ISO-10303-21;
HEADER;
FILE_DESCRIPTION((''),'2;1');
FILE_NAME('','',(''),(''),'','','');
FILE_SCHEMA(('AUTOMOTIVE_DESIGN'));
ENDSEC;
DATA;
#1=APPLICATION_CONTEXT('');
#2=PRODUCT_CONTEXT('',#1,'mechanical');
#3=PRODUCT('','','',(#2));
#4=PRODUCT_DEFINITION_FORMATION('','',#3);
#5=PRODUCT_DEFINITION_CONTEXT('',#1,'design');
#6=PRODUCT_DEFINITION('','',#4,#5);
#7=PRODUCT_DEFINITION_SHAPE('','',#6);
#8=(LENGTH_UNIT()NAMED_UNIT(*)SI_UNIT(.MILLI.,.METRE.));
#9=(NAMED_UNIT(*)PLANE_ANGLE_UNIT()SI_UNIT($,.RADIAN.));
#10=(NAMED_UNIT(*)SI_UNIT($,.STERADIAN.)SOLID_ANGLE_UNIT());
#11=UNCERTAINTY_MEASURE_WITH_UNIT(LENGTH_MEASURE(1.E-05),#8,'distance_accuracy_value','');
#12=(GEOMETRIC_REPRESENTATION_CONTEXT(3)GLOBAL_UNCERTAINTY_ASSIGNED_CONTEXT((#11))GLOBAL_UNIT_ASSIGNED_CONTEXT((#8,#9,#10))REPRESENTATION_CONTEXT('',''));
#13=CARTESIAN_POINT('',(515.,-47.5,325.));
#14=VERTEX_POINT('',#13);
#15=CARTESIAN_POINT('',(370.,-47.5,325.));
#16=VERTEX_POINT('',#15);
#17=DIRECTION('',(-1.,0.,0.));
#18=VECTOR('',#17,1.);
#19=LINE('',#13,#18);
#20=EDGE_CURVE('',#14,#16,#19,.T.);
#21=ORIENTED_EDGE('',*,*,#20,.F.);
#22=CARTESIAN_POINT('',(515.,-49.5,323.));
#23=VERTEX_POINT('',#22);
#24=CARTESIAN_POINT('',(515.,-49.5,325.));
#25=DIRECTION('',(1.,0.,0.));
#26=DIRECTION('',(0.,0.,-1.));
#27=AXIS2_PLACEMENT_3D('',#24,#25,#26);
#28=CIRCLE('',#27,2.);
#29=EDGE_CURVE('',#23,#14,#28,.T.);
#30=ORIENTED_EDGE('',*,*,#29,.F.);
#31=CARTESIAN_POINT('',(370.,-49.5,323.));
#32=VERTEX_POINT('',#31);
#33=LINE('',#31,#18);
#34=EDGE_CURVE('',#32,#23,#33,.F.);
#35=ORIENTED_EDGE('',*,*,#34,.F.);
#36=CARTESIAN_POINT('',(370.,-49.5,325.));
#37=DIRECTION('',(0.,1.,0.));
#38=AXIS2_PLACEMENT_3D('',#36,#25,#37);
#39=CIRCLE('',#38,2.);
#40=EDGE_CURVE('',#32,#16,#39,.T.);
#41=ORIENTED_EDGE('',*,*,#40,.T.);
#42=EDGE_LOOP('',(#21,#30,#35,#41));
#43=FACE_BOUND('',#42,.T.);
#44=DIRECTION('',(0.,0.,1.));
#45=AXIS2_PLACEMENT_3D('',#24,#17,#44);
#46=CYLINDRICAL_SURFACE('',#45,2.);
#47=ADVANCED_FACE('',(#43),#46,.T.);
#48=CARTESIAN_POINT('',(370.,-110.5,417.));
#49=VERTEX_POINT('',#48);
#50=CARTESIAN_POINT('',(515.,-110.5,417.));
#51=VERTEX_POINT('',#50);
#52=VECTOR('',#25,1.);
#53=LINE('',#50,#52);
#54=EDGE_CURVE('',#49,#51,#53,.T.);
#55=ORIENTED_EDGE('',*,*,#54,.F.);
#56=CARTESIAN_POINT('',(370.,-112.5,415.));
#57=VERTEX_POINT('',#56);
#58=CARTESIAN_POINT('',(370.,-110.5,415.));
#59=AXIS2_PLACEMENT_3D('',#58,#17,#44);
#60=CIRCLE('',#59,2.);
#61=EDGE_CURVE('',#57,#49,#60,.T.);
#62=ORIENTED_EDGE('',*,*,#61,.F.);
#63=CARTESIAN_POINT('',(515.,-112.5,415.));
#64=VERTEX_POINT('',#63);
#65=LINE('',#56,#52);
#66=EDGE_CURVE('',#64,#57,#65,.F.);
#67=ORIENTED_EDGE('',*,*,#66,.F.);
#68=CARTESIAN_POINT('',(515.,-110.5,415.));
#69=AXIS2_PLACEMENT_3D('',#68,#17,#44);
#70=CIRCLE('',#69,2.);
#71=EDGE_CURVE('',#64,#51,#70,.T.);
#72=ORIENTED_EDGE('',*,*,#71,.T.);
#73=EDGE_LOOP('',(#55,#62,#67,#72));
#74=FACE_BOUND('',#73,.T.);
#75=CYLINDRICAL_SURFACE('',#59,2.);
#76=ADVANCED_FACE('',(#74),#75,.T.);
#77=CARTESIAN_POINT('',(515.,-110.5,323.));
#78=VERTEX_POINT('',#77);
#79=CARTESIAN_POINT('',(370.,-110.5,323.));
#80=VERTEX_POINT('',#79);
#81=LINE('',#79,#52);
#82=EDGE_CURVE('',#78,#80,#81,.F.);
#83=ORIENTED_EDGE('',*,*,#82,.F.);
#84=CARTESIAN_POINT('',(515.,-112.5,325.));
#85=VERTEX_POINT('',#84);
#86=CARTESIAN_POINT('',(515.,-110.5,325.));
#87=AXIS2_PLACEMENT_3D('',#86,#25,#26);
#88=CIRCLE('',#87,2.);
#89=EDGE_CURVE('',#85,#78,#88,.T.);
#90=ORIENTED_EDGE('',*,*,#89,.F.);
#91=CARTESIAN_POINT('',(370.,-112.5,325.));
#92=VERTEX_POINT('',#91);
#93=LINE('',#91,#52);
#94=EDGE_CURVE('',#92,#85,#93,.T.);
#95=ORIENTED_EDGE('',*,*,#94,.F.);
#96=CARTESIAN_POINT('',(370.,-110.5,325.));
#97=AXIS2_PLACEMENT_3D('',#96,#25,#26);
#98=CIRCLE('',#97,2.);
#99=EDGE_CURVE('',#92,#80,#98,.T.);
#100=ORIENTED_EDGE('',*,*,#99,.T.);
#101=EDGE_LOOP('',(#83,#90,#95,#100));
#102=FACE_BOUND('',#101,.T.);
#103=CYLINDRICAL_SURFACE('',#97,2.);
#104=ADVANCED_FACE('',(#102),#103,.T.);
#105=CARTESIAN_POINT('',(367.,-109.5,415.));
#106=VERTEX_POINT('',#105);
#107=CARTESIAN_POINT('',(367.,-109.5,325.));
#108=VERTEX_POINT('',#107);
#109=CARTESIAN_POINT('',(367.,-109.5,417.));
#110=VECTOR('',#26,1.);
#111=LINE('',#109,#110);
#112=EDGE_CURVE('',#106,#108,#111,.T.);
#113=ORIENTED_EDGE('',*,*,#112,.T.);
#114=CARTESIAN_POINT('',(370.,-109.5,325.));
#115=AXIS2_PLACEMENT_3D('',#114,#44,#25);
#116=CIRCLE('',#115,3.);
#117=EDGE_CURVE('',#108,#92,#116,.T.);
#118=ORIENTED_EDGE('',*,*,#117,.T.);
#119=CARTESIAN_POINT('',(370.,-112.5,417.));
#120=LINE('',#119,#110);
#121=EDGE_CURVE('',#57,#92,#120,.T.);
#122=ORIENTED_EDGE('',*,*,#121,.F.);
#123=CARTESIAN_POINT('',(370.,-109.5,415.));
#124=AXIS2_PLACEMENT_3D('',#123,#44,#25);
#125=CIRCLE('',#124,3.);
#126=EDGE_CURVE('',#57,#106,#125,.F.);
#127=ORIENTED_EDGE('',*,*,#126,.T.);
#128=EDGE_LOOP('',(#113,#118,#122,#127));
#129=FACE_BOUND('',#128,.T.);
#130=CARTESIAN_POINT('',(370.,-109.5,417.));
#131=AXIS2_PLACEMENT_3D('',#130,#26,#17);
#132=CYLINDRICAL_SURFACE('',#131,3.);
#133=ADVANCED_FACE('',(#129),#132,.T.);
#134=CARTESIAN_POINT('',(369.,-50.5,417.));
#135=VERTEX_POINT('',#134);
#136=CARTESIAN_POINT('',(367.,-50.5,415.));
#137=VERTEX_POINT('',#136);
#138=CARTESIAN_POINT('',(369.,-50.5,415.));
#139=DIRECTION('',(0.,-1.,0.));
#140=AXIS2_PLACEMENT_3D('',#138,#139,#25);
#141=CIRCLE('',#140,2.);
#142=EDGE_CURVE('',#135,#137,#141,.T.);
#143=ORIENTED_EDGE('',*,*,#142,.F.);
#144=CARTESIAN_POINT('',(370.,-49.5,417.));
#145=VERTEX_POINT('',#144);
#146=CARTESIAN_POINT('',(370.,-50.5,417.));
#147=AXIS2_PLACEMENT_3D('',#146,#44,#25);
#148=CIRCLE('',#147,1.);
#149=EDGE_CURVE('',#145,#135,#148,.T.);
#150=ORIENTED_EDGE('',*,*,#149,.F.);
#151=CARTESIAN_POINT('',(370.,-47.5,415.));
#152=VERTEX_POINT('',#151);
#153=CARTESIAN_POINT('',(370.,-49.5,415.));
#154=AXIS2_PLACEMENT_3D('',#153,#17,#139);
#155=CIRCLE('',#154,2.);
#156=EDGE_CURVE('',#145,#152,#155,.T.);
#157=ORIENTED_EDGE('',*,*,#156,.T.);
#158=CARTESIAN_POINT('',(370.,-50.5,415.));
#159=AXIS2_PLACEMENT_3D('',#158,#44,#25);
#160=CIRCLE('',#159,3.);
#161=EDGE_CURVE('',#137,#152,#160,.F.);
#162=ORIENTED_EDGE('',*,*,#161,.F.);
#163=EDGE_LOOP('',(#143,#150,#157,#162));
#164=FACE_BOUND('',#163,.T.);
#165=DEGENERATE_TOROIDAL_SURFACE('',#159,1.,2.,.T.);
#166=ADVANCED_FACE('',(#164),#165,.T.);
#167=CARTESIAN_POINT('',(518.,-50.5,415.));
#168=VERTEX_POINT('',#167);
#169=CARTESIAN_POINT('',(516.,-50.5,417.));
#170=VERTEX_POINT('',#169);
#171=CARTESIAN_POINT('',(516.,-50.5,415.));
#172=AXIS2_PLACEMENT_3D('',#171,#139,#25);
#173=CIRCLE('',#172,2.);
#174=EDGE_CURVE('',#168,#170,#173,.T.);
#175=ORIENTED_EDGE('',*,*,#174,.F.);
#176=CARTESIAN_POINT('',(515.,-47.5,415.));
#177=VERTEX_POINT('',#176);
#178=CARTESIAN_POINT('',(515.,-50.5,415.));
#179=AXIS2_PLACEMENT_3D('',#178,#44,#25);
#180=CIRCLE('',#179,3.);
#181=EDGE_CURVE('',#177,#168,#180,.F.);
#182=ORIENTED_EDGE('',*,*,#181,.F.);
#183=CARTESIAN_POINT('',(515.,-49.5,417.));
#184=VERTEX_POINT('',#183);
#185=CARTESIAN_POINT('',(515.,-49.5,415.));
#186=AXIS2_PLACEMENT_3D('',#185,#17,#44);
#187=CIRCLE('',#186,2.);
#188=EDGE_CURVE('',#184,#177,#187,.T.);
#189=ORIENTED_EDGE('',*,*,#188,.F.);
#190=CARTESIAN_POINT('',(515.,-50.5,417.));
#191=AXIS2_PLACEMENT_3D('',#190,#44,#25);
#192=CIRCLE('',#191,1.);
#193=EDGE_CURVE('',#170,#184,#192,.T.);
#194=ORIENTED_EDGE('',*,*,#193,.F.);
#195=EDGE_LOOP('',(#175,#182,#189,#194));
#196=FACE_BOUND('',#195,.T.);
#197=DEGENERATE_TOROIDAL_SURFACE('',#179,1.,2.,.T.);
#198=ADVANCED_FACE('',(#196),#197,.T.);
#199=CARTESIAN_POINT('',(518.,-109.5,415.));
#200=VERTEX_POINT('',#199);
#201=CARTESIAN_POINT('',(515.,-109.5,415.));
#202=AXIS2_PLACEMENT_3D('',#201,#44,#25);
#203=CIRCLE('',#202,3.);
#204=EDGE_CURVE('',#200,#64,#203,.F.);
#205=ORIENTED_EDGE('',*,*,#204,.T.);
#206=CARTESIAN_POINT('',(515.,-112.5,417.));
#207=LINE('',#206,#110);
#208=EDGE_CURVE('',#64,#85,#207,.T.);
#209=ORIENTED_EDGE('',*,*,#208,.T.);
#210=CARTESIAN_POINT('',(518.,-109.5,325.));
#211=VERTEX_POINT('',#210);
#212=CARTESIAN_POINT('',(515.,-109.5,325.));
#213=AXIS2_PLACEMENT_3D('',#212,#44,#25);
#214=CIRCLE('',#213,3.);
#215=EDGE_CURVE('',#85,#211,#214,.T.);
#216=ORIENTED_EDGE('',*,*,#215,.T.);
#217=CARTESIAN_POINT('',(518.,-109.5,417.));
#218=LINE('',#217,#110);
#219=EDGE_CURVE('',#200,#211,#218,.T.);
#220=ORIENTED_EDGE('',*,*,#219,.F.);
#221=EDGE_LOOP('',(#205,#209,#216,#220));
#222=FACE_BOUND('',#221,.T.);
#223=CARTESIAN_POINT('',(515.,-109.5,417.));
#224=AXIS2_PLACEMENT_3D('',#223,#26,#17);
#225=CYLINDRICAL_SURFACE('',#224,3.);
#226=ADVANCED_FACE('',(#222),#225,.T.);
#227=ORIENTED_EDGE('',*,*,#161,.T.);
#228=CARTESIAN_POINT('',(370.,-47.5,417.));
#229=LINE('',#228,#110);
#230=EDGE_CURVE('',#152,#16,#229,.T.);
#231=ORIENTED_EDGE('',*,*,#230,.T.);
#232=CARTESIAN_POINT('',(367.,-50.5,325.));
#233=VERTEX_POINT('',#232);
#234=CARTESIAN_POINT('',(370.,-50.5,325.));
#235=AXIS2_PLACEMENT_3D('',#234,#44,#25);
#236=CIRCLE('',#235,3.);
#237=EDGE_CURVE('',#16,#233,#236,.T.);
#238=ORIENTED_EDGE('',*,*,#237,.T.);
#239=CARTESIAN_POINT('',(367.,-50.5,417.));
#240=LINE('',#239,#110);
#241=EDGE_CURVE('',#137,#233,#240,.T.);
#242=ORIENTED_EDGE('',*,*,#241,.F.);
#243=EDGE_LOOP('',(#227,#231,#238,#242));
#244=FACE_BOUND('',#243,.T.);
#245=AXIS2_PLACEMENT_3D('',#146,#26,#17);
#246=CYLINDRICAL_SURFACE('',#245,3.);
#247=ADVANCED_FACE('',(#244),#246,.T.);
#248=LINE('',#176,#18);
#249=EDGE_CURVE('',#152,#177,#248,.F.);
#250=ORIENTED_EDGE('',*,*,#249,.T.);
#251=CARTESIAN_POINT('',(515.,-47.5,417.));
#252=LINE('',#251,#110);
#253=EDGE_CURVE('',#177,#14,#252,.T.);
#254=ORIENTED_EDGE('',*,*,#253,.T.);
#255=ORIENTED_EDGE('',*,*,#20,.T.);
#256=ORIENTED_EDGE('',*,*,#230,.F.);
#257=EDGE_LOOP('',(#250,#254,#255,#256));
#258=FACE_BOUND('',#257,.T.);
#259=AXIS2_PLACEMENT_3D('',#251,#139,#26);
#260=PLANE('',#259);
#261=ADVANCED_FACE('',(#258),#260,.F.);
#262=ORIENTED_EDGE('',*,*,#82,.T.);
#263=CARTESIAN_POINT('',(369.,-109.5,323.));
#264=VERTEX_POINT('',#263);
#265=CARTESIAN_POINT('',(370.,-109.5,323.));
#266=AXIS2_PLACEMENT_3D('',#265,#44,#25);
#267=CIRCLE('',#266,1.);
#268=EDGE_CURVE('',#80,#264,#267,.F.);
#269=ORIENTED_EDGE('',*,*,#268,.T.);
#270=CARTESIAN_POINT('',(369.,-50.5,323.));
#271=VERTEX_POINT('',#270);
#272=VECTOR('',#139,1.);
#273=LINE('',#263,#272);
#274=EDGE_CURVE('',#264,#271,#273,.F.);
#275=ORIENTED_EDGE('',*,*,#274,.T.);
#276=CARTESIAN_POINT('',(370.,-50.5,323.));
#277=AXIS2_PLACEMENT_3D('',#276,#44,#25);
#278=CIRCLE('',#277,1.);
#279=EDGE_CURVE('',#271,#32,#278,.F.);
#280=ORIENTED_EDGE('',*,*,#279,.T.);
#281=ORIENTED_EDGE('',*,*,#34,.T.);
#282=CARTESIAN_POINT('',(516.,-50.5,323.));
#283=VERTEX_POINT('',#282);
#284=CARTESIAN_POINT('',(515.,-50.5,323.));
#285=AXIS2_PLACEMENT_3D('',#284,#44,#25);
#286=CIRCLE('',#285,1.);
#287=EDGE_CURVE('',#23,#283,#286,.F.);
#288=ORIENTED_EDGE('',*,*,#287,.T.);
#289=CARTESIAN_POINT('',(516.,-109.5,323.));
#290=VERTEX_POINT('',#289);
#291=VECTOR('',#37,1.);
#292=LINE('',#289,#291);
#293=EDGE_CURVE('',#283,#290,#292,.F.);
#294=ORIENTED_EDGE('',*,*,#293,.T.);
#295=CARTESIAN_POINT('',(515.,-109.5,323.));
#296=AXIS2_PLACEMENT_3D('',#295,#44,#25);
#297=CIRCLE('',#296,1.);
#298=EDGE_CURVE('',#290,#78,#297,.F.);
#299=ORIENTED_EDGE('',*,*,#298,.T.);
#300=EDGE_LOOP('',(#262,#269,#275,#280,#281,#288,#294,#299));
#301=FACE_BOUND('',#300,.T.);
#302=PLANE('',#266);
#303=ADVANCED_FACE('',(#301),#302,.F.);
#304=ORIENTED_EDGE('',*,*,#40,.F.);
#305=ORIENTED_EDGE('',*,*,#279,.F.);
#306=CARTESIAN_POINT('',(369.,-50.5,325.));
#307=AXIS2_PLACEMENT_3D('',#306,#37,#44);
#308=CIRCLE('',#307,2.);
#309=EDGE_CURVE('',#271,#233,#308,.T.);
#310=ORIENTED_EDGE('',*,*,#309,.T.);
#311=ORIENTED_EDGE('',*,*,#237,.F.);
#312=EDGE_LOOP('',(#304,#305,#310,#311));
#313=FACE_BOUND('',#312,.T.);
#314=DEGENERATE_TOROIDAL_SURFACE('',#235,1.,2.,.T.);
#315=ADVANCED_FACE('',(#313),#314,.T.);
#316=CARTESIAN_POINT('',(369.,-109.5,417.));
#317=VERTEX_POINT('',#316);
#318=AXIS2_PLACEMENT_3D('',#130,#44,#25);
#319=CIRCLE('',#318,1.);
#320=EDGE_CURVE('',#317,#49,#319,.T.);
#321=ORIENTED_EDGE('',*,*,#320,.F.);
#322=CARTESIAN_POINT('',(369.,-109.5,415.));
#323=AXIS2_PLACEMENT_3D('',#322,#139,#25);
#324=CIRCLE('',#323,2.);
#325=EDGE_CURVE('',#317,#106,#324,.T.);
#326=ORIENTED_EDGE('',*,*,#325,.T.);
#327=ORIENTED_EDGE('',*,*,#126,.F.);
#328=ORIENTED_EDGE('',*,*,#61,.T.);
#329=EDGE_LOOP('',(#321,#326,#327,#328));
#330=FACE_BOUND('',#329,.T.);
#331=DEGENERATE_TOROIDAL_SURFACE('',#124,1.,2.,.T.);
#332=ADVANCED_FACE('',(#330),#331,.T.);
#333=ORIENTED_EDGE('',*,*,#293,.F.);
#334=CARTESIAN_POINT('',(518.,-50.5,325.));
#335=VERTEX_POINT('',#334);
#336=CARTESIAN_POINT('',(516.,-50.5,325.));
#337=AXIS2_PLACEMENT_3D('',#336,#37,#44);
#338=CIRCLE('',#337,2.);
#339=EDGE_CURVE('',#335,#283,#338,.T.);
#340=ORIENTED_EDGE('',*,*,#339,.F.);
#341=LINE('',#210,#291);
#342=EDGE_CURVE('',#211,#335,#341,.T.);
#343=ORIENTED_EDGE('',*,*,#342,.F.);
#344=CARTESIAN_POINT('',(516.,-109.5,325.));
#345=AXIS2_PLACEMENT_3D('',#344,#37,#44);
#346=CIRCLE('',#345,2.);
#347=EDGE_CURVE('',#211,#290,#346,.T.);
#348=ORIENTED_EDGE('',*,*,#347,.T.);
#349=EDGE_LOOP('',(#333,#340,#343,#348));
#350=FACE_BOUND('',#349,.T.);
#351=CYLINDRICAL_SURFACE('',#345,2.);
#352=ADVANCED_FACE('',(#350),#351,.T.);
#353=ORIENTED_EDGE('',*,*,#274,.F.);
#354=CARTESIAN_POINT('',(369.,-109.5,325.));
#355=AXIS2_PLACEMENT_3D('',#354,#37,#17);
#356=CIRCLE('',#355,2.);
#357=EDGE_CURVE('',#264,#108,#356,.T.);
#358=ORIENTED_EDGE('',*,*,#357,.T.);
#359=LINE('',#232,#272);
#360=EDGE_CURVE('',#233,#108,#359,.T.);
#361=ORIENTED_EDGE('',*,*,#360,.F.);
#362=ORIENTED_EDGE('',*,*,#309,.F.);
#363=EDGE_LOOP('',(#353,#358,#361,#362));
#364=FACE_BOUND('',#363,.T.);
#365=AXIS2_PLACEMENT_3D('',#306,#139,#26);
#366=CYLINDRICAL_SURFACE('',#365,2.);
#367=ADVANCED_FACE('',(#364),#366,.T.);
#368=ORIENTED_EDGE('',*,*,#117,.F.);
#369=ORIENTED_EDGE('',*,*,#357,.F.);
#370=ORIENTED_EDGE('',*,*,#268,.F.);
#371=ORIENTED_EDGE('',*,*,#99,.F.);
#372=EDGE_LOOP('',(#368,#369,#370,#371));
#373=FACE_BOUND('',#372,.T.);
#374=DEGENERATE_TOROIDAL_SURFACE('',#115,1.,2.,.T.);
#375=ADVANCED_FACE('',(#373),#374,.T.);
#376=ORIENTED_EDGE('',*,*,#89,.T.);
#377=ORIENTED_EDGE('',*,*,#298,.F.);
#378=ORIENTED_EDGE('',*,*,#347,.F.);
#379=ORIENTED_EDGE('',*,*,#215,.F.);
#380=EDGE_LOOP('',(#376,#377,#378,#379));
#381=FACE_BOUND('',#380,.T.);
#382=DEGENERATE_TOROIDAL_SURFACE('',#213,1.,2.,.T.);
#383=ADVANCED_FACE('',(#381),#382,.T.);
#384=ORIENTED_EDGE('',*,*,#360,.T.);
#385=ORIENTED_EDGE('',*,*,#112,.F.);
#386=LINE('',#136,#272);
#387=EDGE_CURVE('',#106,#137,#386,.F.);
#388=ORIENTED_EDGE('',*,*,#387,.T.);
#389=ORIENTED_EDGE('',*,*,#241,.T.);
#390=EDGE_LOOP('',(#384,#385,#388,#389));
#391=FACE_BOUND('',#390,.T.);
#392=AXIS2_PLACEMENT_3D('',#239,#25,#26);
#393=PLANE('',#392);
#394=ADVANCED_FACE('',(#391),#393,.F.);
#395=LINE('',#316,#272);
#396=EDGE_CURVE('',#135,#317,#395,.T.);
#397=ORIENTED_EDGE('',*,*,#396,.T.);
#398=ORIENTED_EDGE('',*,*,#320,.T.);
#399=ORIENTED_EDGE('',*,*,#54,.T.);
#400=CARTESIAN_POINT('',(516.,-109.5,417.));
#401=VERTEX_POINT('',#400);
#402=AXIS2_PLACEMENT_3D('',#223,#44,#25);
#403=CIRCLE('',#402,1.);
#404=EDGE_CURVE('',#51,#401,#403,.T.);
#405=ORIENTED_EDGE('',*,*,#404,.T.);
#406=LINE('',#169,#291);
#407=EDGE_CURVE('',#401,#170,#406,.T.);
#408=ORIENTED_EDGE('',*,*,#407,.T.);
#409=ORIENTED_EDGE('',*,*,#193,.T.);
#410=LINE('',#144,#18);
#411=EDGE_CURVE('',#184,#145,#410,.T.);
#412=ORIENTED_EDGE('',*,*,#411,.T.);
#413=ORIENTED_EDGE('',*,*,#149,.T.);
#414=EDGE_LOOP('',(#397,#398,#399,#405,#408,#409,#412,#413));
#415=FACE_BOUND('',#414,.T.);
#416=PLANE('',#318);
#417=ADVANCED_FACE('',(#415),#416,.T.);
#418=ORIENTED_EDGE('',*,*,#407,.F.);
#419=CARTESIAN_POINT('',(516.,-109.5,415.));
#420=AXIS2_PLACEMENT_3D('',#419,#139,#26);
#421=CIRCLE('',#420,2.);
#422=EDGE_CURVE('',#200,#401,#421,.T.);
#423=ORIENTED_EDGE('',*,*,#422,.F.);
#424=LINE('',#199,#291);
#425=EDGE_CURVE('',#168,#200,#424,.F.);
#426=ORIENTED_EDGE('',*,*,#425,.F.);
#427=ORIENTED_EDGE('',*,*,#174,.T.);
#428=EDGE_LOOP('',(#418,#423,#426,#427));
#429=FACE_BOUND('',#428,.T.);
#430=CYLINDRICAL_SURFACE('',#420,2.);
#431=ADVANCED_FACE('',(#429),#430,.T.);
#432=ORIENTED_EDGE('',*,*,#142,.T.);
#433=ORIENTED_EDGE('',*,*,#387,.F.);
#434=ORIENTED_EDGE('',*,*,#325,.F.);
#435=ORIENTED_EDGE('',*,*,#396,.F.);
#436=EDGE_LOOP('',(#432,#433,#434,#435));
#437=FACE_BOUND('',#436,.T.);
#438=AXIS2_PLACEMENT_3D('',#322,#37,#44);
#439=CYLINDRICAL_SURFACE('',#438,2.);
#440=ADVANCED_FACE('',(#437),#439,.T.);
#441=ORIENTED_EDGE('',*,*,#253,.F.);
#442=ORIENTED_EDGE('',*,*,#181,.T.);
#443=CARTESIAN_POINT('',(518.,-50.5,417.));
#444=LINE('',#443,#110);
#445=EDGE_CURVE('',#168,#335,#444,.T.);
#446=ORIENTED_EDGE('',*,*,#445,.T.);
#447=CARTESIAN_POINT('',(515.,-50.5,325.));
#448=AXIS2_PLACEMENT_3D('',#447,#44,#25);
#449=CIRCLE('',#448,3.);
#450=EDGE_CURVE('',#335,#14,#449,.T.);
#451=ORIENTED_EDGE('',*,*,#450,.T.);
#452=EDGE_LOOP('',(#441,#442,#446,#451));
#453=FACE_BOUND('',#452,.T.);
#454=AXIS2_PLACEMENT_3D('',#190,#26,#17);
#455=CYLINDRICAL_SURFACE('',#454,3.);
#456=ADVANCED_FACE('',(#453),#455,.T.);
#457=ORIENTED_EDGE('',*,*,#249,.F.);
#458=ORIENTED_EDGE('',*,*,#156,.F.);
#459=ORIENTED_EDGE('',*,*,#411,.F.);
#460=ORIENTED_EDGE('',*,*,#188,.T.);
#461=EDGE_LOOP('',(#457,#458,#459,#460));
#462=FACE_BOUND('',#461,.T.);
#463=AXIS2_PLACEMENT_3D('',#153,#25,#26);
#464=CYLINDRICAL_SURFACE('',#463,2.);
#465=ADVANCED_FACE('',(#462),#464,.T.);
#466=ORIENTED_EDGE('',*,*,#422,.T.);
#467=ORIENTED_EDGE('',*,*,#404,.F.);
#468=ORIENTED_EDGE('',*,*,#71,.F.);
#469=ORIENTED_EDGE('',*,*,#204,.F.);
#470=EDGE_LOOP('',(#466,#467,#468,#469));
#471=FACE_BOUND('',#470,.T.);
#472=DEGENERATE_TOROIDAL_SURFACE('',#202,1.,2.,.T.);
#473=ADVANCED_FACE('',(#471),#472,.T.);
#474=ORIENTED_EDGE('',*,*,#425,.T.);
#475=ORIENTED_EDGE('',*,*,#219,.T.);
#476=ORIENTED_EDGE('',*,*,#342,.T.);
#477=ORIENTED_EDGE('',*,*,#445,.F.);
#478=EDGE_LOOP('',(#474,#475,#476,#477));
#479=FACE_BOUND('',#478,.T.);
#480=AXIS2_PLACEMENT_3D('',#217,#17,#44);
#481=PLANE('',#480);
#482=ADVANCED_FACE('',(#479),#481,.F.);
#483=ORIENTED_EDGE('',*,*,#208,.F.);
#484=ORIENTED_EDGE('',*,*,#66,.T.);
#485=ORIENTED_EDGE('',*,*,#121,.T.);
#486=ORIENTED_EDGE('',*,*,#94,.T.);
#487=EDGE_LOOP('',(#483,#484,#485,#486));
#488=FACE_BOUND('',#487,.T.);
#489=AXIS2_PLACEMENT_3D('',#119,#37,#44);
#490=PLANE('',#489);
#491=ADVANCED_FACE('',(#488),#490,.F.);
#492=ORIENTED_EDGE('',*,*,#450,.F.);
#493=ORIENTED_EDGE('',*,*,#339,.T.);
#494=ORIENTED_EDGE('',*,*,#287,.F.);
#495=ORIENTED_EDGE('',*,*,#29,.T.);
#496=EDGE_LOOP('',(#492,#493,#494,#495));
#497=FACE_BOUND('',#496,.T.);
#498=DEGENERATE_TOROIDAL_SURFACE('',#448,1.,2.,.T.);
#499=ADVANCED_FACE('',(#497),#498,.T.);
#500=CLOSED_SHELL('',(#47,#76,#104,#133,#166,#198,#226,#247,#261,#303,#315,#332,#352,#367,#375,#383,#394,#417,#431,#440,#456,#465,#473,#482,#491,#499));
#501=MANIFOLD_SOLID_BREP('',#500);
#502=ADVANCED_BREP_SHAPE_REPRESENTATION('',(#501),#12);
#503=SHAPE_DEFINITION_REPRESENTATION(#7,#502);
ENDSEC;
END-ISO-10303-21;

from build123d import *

# Parameters (mm, degrees)
BLOCK_START           = 323
BLOCK_1_DEPTH         = 94
BLOCK_EDGE_FILLET_1_R = 2


with BuildPart() as part:
    # Block sketch 1 → Block 1 (new body)
    with BuildSketch(Plane.XY.offset(BLOCK_START)):
        with BuildLine():
            Line((370, -112.5), (515, -112.5))
            ThreePointArc((515, -112.5), (517.121320344, -111.621320344), (518, -109.5))
            Line((518, -109.5), (518, -50.5))
            ThreePointArc((518, -50.5), (517.121320344, -48.378679656), (515, -47.5))
            Line((515, -47.5), (370, -47.5))
            ThreePointArc((370, -47.5), (367.878679656, -48.378679656), (367, -50.5))
            Line((367, -50.5), (367, -109.5))
            ThreePointArc((367, -109.5), (367.878679656, -111.621320344), (370, -112.5))
        make_face()
    extrude(amount=BLOCK_1_DEPTH)

    # Block edge fillet 1
    block_edge_fillet_1_edges = [part.edges().sort_by_distance(p)[0] for p in [
        (518, -80, 323),
        (517.121320344, -111.621320344, 323),
        (442.5, -112.5, 323),
        (367.878679656, -111.621320344, 323),
        (517.121320344, -111.621320344, 417),
        (518, -80, 417),
        (517.121320344, -48.378679656, 417),
        (442.5, -47.5, 417),
        (367.878679656, -48.378679656, 417),
        (367, -80, 417),
        (367.878679656, -111.621320344, 417),
        (367, -80, 323),
        (442.5, -112.5, 417),
        (367.878679656, -48.378679656, 323),
        (442.5, -47.5, 323),
        (517.121320344, -48.378679656, 323),
    ]]
    fillet(block_edge_fillet_1_edges, radius=BLOCK_EDGE_FILLET_1_R)


solid = part.part
